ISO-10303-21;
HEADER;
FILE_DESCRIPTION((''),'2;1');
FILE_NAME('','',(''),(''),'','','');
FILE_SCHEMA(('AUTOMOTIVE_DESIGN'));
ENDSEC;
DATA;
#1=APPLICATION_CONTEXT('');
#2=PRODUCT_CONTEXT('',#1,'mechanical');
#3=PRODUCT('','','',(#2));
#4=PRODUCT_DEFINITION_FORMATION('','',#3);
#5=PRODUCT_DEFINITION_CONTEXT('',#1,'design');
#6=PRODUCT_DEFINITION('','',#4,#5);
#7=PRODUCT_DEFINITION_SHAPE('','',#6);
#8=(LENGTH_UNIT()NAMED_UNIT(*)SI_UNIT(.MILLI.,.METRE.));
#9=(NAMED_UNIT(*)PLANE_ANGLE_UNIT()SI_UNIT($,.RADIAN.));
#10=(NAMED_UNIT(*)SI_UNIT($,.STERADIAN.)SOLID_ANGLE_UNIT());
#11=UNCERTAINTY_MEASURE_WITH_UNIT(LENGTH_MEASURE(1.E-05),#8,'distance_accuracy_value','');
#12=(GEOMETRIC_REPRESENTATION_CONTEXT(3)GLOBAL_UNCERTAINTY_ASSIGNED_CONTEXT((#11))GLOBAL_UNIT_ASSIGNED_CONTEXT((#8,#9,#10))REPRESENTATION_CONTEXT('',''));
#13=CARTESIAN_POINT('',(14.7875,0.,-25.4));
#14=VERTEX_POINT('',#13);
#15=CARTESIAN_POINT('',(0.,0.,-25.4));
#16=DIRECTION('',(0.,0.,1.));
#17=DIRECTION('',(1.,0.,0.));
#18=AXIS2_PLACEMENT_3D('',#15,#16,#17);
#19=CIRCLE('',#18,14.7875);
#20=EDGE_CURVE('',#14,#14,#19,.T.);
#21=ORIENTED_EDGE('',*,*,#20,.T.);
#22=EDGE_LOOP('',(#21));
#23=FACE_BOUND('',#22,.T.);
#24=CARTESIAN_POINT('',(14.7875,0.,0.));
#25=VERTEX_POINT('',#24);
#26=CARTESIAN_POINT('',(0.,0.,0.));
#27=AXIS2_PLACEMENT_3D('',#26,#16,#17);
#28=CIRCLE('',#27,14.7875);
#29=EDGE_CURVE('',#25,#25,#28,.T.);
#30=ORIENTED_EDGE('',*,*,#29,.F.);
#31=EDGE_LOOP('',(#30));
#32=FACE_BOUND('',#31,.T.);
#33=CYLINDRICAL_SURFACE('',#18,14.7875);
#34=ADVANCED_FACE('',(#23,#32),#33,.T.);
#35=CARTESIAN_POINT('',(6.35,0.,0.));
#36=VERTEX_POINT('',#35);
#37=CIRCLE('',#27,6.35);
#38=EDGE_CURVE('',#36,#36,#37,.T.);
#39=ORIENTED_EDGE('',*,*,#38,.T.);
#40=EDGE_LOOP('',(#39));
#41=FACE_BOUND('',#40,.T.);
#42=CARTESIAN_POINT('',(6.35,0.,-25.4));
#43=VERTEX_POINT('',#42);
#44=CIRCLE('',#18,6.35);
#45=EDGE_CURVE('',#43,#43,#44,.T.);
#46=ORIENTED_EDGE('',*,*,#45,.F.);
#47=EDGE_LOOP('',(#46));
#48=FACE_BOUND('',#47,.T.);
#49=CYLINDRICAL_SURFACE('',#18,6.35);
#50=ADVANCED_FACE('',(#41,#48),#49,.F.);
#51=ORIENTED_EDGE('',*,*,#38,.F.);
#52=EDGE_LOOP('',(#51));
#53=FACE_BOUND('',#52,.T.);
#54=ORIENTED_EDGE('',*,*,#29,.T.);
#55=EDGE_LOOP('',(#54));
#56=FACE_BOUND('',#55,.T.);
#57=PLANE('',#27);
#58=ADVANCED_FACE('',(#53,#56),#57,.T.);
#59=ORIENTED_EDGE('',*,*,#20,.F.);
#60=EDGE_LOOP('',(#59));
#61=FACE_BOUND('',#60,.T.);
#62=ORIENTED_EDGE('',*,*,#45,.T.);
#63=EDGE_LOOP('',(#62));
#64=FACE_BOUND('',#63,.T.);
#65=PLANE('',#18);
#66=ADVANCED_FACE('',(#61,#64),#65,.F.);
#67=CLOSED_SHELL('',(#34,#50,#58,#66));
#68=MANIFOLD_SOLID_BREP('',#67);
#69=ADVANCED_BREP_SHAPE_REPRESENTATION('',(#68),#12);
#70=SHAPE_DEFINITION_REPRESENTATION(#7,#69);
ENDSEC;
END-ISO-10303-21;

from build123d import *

# Parameters (mm, degrees)
SKETCH1_R           = 14.7875
SKETCH1_R_2         = 6.35
BOSS_EXTRUDE1_DEPTH = 25.4


with BuildPart() as part:
    # Sketch1 → Boss-Extrude1 (new body)
    with BuildSketch(Plane(origin=(0, 0, 0), x_dir=(0, 1, 0), z_dir=(0, 0, 1))):
        with Locations(Location((0, 0, 0), (0, 0, 270))):
            Circle(SKETCH1_R)
        with Locations(Location((0, 0, 0), (0, 0, 270))):
            Circle(SKETCH1_R_2, mode=Mode.SUBTRACT)
    extrude(amount=-BOSS_EXTRUDE1_DEPTH)


solid = part.part
